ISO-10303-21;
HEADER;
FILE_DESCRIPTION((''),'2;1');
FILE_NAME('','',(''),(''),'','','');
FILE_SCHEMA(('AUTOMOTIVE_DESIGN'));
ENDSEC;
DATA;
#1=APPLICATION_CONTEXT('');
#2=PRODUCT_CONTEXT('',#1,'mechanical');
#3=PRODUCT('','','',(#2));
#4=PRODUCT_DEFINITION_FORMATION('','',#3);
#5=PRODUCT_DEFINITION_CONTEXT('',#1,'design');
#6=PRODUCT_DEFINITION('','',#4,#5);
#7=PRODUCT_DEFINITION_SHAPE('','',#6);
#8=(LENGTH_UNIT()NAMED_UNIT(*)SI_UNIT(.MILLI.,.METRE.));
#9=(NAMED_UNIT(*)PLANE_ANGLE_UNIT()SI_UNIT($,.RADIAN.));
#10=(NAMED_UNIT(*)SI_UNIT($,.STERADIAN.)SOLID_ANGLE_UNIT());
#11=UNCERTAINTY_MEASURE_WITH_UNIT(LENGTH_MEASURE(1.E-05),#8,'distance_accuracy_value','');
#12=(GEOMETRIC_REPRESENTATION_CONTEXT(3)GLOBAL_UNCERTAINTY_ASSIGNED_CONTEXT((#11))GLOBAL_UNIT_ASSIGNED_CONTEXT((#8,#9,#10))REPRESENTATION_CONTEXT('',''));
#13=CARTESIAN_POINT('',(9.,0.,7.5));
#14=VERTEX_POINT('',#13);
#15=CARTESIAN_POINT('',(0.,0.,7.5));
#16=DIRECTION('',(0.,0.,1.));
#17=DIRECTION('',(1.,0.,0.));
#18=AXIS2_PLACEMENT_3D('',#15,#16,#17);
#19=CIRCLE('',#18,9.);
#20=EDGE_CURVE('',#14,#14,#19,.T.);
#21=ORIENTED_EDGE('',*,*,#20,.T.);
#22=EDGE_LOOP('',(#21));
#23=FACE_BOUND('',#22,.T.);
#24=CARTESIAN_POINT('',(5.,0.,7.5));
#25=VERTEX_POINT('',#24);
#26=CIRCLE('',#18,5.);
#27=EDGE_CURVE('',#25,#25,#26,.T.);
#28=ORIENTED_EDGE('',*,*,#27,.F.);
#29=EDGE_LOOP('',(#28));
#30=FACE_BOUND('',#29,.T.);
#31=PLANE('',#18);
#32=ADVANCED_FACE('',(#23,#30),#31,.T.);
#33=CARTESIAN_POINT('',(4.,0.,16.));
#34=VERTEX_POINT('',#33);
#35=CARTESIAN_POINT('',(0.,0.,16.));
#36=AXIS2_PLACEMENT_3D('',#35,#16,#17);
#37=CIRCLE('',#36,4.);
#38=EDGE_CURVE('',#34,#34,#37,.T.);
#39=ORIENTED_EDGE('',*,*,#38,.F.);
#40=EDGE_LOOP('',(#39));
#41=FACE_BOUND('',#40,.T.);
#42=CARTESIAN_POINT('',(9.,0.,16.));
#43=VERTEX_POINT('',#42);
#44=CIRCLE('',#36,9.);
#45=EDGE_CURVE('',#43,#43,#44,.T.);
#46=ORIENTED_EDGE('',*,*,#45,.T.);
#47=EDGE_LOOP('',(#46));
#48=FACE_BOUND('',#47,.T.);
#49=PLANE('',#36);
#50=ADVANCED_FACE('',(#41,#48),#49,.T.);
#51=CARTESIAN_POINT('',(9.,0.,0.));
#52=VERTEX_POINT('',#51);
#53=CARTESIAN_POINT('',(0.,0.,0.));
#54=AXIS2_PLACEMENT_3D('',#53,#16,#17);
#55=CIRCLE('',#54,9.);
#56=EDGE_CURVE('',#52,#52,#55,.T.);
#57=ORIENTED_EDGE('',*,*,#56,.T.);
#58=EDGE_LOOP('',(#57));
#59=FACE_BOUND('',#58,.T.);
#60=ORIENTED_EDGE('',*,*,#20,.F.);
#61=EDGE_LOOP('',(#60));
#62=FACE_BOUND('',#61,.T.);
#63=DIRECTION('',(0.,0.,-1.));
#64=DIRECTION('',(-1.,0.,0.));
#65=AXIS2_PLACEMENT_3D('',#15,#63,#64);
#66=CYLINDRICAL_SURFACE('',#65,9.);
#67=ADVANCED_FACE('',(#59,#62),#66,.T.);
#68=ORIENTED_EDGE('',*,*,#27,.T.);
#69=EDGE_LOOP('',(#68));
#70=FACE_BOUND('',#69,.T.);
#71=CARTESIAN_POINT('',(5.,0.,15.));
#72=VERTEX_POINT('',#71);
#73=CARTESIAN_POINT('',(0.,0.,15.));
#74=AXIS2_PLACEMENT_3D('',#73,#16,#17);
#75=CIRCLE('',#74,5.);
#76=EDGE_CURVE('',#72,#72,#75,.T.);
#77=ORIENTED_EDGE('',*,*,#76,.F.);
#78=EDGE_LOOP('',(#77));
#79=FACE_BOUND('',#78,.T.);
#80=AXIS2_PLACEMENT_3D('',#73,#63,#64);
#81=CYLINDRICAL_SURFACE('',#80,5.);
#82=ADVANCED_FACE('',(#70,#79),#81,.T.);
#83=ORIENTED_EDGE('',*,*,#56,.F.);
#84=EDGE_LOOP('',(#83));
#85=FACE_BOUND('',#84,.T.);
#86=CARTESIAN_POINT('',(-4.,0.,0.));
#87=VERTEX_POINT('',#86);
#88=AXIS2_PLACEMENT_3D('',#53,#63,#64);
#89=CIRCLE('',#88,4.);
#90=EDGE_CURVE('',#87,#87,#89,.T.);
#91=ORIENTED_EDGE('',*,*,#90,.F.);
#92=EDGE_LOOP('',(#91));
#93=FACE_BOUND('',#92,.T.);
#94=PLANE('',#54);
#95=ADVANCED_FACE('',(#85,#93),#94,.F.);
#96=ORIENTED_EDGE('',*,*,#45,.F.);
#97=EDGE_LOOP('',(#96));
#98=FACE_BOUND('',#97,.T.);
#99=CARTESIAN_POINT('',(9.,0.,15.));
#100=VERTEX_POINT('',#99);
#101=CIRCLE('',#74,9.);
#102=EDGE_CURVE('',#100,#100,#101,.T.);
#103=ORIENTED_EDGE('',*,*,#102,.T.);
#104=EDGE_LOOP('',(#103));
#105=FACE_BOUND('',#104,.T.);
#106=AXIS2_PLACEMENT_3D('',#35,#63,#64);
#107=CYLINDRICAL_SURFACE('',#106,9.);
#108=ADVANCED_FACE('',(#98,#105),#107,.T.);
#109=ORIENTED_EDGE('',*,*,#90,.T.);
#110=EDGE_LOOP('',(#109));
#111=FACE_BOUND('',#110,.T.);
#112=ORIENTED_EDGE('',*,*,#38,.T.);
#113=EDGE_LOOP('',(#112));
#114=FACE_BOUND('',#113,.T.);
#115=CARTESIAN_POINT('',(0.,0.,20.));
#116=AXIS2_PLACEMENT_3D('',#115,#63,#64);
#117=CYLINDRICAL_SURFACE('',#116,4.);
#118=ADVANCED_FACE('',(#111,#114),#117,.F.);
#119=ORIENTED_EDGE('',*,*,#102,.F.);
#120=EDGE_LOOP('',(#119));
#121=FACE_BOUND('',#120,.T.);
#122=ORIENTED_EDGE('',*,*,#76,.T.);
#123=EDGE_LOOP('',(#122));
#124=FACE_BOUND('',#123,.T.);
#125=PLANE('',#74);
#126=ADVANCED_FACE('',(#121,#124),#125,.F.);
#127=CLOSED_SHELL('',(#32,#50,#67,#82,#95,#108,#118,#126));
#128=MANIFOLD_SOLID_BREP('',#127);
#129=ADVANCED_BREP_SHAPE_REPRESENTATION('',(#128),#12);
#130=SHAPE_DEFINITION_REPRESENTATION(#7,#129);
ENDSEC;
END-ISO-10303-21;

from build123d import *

# Parameters (mm, degrees)
SKETCH1_R           = 9
BOSS_EXTRUDE1_DEPTH = 7.5
SKETCH2_R           = 5
BOSS_EXTRUDE2_DEPTH = 7.5
SKETCH3_R           = 9
BOSS_EXTRUDE3_DEPTH = 1
SKETCH4_R           = 4
CUT_EXTRUDE1_DEPTH  = 20


with BuildPart() as part:
    # Sketch1 → Boss-Extrude1 (new body)
    with BuildSketch(Plane.XY):
        Circle(SKETCH1_R)
    extrude(amount=BOSS_EXTRUDE1_DEPTH)

    # Sketch2 → Boss-Extrude2 (add)
    with BuildSketch(Plane.XY.offset(7.5)):
        Circle(SKETCH2_R)
    extrude(amount=BOSS_EXTRUDE2_DEPTH)

    # Sketch3 → Boss-Extrude3 (add)
    with BuildSketch(Plane.XY.offset(15)):
        Circle(SKETCH3_R)
    extrude(amount=BOSS_EXTRUDE3_DEPTH)

    # Sketch4 → Cut-Extrude1 (cut)
    with BuildSketch(Plane(origin=(0, 0, 0), x_dir=(-1, 0, 0), z_dir=(0, 0, -1))):
        Circle(SKETCH4_R)
    extrude(amount=-CUT_EXTRUDE1_DEPTH, mode=Mode.SUBTRACT)


solid = part.part
